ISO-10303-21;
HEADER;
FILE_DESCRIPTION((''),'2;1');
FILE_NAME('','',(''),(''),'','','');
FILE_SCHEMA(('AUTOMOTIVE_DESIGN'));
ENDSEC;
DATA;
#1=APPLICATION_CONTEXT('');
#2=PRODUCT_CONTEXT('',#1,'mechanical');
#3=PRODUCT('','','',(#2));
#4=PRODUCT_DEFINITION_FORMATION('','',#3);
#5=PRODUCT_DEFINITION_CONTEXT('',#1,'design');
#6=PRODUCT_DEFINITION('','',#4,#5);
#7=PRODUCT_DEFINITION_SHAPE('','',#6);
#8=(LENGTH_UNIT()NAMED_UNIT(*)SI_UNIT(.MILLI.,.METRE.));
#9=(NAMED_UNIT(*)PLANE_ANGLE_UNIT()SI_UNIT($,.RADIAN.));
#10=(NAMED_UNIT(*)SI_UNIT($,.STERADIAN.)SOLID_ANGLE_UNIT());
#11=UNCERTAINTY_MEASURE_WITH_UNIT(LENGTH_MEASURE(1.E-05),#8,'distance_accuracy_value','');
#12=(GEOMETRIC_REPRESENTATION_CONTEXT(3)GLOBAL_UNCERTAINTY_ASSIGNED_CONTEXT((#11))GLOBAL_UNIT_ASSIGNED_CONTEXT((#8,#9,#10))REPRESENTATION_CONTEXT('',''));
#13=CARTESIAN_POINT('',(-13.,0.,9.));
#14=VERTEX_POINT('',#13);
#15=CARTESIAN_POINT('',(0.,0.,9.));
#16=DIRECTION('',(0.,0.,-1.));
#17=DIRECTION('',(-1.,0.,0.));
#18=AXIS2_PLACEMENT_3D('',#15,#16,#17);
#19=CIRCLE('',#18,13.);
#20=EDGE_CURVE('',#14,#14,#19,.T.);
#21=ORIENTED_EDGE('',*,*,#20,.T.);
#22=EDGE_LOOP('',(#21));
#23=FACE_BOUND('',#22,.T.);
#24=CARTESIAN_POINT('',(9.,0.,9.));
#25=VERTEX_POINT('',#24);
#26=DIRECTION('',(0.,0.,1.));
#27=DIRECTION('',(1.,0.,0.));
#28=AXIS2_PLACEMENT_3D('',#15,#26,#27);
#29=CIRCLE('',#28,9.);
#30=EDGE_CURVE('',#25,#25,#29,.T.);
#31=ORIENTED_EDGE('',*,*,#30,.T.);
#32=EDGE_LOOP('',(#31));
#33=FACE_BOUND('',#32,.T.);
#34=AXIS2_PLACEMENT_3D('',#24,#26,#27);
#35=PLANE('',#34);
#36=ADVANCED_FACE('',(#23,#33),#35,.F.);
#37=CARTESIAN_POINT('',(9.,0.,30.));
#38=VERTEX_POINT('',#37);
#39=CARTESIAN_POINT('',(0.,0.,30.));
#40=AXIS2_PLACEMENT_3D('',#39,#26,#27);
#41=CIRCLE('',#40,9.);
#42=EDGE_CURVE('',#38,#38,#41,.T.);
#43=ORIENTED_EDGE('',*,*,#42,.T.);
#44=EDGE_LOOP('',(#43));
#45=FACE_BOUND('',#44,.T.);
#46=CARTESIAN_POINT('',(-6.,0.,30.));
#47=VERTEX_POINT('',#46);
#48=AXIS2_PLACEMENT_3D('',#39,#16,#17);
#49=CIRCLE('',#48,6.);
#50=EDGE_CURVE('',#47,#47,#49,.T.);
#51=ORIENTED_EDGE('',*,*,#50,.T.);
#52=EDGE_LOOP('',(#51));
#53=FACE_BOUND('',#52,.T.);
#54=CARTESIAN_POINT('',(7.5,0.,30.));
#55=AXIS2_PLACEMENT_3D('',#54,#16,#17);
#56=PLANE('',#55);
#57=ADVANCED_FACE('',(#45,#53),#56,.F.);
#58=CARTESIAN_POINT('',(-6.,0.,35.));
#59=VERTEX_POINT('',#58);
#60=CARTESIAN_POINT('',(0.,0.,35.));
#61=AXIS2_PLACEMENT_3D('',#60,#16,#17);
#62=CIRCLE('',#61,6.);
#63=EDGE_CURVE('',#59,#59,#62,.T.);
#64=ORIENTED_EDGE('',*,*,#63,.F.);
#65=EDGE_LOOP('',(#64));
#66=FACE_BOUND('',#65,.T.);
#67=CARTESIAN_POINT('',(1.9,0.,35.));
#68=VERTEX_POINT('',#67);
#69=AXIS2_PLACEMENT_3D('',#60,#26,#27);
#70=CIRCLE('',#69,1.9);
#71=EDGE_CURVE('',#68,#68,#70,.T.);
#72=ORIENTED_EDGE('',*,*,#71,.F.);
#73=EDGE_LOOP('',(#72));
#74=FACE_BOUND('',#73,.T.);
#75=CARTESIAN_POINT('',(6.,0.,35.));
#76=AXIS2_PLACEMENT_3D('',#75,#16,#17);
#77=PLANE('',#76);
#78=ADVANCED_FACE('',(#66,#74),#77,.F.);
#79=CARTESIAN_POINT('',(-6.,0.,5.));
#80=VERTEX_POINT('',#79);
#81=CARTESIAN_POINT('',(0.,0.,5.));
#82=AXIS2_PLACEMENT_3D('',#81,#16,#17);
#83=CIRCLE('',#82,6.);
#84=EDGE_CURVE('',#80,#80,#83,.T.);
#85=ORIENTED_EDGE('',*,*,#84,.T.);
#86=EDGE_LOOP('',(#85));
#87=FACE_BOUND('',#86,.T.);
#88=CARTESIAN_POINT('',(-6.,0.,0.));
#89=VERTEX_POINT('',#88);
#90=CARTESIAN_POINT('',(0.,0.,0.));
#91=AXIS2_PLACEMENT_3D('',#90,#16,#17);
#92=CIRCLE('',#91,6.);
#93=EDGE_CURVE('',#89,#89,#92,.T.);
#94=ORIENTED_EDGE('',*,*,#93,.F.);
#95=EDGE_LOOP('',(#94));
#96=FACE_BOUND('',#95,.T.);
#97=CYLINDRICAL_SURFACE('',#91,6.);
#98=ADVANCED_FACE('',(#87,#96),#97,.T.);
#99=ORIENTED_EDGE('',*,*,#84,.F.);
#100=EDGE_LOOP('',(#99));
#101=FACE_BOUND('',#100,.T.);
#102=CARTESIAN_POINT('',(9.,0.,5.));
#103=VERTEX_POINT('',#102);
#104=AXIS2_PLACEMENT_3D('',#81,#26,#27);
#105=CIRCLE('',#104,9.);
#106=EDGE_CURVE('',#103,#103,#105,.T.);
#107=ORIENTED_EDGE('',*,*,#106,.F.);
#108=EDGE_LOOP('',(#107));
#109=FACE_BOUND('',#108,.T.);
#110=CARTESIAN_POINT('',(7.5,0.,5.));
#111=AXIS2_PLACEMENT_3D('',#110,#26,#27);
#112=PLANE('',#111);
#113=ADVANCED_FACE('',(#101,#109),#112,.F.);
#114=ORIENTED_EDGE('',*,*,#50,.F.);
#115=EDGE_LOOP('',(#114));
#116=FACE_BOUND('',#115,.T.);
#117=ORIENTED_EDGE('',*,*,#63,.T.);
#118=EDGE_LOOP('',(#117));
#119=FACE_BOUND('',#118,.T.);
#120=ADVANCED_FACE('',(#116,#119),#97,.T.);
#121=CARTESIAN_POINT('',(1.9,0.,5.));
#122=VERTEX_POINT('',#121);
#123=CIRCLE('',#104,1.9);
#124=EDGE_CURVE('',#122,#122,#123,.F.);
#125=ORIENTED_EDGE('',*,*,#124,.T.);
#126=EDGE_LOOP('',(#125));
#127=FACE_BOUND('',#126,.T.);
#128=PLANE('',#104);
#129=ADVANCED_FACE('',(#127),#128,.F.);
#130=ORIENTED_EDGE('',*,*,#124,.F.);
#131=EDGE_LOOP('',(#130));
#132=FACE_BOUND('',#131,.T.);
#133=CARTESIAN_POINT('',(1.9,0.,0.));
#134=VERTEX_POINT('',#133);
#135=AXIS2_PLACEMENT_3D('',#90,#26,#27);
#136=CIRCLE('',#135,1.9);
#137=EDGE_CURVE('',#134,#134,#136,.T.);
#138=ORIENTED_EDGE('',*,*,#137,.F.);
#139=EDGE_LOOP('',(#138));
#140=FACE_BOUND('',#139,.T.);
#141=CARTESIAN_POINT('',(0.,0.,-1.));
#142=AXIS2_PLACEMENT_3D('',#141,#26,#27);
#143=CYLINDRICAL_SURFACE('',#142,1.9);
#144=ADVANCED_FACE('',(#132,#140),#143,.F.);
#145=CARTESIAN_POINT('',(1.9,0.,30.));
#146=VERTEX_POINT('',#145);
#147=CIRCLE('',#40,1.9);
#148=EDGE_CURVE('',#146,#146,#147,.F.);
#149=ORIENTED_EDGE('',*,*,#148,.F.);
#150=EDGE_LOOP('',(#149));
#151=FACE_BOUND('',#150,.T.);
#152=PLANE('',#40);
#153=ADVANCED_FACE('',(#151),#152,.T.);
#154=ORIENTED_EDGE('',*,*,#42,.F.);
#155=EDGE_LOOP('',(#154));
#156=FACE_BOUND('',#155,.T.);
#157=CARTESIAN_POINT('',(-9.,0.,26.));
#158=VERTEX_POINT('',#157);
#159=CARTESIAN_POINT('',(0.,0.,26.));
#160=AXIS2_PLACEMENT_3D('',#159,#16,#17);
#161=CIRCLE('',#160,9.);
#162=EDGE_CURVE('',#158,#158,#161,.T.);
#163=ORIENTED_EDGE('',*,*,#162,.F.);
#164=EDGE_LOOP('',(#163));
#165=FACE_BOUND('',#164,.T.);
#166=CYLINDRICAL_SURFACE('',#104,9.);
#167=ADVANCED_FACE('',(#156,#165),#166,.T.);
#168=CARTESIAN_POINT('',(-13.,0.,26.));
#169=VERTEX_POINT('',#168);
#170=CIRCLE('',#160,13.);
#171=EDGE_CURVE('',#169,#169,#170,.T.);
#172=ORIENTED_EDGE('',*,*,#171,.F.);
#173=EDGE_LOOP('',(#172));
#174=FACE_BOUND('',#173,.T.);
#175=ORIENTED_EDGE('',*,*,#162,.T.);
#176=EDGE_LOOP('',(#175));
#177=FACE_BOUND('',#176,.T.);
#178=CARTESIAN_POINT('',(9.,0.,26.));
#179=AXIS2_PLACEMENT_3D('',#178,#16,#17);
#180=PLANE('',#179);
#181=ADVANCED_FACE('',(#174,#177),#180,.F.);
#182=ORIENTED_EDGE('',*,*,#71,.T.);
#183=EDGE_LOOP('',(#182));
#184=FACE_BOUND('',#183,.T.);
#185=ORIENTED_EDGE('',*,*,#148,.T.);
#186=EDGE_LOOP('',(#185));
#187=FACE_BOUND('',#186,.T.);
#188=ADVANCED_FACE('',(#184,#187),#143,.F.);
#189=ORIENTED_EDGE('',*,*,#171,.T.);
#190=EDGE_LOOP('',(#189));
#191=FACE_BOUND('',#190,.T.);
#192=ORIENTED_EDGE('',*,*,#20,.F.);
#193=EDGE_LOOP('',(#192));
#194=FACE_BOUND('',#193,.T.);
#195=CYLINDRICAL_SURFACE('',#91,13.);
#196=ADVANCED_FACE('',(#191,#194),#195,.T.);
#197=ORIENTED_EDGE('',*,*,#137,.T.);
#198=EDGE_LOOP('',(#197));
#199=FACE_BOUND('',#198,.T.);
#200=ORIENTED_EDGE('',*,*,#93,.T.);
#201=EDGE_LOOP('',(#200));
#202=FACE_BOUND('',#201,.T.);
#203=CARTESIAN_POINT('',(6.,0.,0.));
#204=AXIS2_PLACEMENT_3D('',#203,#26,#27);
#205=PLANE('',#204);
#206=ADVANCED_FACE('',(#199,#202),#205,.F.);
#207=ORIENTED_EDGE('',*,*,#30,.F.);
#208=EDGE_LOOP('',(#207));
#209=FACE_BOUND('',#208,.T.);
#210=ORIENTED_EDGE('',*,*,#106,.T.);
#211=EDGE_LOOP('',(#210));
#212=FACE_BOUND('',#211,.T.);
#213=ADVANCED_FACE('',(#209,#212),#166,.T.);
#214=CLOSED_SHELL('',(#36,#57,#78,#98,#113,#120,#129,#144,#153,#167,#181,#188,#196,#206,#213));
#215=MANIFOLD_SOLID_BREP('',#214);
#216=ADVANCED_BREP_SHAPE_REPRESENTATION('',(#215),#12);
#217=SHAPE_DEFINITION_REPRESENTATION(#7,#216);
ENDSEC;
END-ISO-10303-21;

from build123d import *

# Parameters (mm, degrees)
SKETCH_2_R           = 1.9
CUT_EXTRUDE_1_DEPTH  = 36
EXTRUDE_1_DEPTH      = 4
EXTRUDE_1_DEPTH_BACK = 21
SKETCH_4_R           = 9


with BuildPart() as part:
    # 草图1 → 旋转1 (revolve)
    with BuildSketch(Plane(origin=(0, 0, 0), x_dir=(1, 0, 0), z_dir=(0, 1, 0)), mode=Mode.PRIVATE) as revolve_1_sk:
        Polygon((0, -1e-09), (0, -35), (6, -35), (6, -30), (7.5, -30), (7.5, -26), (9, -26), (13, -26), (13, -9), (9, -9), (7.5, -9), (7.5, -5), (6, -5), (6, -1e-09), align=None)
    revolve(revolve_1_sk.sketch.rotate(Axis((0, 0, 1e-09), (0, 0, 1)), 180), axis=Axis((0, 0, 1e-09), (0, 0, 1)))

    # 草图2 → 切除-拉伸1 (cut)
    with BuildSketch(Plane.XY.offset(35)):
        Circle(SKETCH_2_R)
    extrude(amount=-CUT_EXTRUDE_1_DEPTH, mode=Mode.SUBTRACT)

    # 草图4 → 凸台-拉伸1 (add, two sides: drawn at the far end of the back side and taken through both)
    with BuildSketch(Plane.XY.offset(26).offset(-EXTRUDE_1_DEPTH_BACK)):
        Circle(SKETCH_4_R)
    extrude(amount=EXTRUDE_1_DEPTH + EXTRUDE_1_DEPTH_BACK)


solid = part.part
